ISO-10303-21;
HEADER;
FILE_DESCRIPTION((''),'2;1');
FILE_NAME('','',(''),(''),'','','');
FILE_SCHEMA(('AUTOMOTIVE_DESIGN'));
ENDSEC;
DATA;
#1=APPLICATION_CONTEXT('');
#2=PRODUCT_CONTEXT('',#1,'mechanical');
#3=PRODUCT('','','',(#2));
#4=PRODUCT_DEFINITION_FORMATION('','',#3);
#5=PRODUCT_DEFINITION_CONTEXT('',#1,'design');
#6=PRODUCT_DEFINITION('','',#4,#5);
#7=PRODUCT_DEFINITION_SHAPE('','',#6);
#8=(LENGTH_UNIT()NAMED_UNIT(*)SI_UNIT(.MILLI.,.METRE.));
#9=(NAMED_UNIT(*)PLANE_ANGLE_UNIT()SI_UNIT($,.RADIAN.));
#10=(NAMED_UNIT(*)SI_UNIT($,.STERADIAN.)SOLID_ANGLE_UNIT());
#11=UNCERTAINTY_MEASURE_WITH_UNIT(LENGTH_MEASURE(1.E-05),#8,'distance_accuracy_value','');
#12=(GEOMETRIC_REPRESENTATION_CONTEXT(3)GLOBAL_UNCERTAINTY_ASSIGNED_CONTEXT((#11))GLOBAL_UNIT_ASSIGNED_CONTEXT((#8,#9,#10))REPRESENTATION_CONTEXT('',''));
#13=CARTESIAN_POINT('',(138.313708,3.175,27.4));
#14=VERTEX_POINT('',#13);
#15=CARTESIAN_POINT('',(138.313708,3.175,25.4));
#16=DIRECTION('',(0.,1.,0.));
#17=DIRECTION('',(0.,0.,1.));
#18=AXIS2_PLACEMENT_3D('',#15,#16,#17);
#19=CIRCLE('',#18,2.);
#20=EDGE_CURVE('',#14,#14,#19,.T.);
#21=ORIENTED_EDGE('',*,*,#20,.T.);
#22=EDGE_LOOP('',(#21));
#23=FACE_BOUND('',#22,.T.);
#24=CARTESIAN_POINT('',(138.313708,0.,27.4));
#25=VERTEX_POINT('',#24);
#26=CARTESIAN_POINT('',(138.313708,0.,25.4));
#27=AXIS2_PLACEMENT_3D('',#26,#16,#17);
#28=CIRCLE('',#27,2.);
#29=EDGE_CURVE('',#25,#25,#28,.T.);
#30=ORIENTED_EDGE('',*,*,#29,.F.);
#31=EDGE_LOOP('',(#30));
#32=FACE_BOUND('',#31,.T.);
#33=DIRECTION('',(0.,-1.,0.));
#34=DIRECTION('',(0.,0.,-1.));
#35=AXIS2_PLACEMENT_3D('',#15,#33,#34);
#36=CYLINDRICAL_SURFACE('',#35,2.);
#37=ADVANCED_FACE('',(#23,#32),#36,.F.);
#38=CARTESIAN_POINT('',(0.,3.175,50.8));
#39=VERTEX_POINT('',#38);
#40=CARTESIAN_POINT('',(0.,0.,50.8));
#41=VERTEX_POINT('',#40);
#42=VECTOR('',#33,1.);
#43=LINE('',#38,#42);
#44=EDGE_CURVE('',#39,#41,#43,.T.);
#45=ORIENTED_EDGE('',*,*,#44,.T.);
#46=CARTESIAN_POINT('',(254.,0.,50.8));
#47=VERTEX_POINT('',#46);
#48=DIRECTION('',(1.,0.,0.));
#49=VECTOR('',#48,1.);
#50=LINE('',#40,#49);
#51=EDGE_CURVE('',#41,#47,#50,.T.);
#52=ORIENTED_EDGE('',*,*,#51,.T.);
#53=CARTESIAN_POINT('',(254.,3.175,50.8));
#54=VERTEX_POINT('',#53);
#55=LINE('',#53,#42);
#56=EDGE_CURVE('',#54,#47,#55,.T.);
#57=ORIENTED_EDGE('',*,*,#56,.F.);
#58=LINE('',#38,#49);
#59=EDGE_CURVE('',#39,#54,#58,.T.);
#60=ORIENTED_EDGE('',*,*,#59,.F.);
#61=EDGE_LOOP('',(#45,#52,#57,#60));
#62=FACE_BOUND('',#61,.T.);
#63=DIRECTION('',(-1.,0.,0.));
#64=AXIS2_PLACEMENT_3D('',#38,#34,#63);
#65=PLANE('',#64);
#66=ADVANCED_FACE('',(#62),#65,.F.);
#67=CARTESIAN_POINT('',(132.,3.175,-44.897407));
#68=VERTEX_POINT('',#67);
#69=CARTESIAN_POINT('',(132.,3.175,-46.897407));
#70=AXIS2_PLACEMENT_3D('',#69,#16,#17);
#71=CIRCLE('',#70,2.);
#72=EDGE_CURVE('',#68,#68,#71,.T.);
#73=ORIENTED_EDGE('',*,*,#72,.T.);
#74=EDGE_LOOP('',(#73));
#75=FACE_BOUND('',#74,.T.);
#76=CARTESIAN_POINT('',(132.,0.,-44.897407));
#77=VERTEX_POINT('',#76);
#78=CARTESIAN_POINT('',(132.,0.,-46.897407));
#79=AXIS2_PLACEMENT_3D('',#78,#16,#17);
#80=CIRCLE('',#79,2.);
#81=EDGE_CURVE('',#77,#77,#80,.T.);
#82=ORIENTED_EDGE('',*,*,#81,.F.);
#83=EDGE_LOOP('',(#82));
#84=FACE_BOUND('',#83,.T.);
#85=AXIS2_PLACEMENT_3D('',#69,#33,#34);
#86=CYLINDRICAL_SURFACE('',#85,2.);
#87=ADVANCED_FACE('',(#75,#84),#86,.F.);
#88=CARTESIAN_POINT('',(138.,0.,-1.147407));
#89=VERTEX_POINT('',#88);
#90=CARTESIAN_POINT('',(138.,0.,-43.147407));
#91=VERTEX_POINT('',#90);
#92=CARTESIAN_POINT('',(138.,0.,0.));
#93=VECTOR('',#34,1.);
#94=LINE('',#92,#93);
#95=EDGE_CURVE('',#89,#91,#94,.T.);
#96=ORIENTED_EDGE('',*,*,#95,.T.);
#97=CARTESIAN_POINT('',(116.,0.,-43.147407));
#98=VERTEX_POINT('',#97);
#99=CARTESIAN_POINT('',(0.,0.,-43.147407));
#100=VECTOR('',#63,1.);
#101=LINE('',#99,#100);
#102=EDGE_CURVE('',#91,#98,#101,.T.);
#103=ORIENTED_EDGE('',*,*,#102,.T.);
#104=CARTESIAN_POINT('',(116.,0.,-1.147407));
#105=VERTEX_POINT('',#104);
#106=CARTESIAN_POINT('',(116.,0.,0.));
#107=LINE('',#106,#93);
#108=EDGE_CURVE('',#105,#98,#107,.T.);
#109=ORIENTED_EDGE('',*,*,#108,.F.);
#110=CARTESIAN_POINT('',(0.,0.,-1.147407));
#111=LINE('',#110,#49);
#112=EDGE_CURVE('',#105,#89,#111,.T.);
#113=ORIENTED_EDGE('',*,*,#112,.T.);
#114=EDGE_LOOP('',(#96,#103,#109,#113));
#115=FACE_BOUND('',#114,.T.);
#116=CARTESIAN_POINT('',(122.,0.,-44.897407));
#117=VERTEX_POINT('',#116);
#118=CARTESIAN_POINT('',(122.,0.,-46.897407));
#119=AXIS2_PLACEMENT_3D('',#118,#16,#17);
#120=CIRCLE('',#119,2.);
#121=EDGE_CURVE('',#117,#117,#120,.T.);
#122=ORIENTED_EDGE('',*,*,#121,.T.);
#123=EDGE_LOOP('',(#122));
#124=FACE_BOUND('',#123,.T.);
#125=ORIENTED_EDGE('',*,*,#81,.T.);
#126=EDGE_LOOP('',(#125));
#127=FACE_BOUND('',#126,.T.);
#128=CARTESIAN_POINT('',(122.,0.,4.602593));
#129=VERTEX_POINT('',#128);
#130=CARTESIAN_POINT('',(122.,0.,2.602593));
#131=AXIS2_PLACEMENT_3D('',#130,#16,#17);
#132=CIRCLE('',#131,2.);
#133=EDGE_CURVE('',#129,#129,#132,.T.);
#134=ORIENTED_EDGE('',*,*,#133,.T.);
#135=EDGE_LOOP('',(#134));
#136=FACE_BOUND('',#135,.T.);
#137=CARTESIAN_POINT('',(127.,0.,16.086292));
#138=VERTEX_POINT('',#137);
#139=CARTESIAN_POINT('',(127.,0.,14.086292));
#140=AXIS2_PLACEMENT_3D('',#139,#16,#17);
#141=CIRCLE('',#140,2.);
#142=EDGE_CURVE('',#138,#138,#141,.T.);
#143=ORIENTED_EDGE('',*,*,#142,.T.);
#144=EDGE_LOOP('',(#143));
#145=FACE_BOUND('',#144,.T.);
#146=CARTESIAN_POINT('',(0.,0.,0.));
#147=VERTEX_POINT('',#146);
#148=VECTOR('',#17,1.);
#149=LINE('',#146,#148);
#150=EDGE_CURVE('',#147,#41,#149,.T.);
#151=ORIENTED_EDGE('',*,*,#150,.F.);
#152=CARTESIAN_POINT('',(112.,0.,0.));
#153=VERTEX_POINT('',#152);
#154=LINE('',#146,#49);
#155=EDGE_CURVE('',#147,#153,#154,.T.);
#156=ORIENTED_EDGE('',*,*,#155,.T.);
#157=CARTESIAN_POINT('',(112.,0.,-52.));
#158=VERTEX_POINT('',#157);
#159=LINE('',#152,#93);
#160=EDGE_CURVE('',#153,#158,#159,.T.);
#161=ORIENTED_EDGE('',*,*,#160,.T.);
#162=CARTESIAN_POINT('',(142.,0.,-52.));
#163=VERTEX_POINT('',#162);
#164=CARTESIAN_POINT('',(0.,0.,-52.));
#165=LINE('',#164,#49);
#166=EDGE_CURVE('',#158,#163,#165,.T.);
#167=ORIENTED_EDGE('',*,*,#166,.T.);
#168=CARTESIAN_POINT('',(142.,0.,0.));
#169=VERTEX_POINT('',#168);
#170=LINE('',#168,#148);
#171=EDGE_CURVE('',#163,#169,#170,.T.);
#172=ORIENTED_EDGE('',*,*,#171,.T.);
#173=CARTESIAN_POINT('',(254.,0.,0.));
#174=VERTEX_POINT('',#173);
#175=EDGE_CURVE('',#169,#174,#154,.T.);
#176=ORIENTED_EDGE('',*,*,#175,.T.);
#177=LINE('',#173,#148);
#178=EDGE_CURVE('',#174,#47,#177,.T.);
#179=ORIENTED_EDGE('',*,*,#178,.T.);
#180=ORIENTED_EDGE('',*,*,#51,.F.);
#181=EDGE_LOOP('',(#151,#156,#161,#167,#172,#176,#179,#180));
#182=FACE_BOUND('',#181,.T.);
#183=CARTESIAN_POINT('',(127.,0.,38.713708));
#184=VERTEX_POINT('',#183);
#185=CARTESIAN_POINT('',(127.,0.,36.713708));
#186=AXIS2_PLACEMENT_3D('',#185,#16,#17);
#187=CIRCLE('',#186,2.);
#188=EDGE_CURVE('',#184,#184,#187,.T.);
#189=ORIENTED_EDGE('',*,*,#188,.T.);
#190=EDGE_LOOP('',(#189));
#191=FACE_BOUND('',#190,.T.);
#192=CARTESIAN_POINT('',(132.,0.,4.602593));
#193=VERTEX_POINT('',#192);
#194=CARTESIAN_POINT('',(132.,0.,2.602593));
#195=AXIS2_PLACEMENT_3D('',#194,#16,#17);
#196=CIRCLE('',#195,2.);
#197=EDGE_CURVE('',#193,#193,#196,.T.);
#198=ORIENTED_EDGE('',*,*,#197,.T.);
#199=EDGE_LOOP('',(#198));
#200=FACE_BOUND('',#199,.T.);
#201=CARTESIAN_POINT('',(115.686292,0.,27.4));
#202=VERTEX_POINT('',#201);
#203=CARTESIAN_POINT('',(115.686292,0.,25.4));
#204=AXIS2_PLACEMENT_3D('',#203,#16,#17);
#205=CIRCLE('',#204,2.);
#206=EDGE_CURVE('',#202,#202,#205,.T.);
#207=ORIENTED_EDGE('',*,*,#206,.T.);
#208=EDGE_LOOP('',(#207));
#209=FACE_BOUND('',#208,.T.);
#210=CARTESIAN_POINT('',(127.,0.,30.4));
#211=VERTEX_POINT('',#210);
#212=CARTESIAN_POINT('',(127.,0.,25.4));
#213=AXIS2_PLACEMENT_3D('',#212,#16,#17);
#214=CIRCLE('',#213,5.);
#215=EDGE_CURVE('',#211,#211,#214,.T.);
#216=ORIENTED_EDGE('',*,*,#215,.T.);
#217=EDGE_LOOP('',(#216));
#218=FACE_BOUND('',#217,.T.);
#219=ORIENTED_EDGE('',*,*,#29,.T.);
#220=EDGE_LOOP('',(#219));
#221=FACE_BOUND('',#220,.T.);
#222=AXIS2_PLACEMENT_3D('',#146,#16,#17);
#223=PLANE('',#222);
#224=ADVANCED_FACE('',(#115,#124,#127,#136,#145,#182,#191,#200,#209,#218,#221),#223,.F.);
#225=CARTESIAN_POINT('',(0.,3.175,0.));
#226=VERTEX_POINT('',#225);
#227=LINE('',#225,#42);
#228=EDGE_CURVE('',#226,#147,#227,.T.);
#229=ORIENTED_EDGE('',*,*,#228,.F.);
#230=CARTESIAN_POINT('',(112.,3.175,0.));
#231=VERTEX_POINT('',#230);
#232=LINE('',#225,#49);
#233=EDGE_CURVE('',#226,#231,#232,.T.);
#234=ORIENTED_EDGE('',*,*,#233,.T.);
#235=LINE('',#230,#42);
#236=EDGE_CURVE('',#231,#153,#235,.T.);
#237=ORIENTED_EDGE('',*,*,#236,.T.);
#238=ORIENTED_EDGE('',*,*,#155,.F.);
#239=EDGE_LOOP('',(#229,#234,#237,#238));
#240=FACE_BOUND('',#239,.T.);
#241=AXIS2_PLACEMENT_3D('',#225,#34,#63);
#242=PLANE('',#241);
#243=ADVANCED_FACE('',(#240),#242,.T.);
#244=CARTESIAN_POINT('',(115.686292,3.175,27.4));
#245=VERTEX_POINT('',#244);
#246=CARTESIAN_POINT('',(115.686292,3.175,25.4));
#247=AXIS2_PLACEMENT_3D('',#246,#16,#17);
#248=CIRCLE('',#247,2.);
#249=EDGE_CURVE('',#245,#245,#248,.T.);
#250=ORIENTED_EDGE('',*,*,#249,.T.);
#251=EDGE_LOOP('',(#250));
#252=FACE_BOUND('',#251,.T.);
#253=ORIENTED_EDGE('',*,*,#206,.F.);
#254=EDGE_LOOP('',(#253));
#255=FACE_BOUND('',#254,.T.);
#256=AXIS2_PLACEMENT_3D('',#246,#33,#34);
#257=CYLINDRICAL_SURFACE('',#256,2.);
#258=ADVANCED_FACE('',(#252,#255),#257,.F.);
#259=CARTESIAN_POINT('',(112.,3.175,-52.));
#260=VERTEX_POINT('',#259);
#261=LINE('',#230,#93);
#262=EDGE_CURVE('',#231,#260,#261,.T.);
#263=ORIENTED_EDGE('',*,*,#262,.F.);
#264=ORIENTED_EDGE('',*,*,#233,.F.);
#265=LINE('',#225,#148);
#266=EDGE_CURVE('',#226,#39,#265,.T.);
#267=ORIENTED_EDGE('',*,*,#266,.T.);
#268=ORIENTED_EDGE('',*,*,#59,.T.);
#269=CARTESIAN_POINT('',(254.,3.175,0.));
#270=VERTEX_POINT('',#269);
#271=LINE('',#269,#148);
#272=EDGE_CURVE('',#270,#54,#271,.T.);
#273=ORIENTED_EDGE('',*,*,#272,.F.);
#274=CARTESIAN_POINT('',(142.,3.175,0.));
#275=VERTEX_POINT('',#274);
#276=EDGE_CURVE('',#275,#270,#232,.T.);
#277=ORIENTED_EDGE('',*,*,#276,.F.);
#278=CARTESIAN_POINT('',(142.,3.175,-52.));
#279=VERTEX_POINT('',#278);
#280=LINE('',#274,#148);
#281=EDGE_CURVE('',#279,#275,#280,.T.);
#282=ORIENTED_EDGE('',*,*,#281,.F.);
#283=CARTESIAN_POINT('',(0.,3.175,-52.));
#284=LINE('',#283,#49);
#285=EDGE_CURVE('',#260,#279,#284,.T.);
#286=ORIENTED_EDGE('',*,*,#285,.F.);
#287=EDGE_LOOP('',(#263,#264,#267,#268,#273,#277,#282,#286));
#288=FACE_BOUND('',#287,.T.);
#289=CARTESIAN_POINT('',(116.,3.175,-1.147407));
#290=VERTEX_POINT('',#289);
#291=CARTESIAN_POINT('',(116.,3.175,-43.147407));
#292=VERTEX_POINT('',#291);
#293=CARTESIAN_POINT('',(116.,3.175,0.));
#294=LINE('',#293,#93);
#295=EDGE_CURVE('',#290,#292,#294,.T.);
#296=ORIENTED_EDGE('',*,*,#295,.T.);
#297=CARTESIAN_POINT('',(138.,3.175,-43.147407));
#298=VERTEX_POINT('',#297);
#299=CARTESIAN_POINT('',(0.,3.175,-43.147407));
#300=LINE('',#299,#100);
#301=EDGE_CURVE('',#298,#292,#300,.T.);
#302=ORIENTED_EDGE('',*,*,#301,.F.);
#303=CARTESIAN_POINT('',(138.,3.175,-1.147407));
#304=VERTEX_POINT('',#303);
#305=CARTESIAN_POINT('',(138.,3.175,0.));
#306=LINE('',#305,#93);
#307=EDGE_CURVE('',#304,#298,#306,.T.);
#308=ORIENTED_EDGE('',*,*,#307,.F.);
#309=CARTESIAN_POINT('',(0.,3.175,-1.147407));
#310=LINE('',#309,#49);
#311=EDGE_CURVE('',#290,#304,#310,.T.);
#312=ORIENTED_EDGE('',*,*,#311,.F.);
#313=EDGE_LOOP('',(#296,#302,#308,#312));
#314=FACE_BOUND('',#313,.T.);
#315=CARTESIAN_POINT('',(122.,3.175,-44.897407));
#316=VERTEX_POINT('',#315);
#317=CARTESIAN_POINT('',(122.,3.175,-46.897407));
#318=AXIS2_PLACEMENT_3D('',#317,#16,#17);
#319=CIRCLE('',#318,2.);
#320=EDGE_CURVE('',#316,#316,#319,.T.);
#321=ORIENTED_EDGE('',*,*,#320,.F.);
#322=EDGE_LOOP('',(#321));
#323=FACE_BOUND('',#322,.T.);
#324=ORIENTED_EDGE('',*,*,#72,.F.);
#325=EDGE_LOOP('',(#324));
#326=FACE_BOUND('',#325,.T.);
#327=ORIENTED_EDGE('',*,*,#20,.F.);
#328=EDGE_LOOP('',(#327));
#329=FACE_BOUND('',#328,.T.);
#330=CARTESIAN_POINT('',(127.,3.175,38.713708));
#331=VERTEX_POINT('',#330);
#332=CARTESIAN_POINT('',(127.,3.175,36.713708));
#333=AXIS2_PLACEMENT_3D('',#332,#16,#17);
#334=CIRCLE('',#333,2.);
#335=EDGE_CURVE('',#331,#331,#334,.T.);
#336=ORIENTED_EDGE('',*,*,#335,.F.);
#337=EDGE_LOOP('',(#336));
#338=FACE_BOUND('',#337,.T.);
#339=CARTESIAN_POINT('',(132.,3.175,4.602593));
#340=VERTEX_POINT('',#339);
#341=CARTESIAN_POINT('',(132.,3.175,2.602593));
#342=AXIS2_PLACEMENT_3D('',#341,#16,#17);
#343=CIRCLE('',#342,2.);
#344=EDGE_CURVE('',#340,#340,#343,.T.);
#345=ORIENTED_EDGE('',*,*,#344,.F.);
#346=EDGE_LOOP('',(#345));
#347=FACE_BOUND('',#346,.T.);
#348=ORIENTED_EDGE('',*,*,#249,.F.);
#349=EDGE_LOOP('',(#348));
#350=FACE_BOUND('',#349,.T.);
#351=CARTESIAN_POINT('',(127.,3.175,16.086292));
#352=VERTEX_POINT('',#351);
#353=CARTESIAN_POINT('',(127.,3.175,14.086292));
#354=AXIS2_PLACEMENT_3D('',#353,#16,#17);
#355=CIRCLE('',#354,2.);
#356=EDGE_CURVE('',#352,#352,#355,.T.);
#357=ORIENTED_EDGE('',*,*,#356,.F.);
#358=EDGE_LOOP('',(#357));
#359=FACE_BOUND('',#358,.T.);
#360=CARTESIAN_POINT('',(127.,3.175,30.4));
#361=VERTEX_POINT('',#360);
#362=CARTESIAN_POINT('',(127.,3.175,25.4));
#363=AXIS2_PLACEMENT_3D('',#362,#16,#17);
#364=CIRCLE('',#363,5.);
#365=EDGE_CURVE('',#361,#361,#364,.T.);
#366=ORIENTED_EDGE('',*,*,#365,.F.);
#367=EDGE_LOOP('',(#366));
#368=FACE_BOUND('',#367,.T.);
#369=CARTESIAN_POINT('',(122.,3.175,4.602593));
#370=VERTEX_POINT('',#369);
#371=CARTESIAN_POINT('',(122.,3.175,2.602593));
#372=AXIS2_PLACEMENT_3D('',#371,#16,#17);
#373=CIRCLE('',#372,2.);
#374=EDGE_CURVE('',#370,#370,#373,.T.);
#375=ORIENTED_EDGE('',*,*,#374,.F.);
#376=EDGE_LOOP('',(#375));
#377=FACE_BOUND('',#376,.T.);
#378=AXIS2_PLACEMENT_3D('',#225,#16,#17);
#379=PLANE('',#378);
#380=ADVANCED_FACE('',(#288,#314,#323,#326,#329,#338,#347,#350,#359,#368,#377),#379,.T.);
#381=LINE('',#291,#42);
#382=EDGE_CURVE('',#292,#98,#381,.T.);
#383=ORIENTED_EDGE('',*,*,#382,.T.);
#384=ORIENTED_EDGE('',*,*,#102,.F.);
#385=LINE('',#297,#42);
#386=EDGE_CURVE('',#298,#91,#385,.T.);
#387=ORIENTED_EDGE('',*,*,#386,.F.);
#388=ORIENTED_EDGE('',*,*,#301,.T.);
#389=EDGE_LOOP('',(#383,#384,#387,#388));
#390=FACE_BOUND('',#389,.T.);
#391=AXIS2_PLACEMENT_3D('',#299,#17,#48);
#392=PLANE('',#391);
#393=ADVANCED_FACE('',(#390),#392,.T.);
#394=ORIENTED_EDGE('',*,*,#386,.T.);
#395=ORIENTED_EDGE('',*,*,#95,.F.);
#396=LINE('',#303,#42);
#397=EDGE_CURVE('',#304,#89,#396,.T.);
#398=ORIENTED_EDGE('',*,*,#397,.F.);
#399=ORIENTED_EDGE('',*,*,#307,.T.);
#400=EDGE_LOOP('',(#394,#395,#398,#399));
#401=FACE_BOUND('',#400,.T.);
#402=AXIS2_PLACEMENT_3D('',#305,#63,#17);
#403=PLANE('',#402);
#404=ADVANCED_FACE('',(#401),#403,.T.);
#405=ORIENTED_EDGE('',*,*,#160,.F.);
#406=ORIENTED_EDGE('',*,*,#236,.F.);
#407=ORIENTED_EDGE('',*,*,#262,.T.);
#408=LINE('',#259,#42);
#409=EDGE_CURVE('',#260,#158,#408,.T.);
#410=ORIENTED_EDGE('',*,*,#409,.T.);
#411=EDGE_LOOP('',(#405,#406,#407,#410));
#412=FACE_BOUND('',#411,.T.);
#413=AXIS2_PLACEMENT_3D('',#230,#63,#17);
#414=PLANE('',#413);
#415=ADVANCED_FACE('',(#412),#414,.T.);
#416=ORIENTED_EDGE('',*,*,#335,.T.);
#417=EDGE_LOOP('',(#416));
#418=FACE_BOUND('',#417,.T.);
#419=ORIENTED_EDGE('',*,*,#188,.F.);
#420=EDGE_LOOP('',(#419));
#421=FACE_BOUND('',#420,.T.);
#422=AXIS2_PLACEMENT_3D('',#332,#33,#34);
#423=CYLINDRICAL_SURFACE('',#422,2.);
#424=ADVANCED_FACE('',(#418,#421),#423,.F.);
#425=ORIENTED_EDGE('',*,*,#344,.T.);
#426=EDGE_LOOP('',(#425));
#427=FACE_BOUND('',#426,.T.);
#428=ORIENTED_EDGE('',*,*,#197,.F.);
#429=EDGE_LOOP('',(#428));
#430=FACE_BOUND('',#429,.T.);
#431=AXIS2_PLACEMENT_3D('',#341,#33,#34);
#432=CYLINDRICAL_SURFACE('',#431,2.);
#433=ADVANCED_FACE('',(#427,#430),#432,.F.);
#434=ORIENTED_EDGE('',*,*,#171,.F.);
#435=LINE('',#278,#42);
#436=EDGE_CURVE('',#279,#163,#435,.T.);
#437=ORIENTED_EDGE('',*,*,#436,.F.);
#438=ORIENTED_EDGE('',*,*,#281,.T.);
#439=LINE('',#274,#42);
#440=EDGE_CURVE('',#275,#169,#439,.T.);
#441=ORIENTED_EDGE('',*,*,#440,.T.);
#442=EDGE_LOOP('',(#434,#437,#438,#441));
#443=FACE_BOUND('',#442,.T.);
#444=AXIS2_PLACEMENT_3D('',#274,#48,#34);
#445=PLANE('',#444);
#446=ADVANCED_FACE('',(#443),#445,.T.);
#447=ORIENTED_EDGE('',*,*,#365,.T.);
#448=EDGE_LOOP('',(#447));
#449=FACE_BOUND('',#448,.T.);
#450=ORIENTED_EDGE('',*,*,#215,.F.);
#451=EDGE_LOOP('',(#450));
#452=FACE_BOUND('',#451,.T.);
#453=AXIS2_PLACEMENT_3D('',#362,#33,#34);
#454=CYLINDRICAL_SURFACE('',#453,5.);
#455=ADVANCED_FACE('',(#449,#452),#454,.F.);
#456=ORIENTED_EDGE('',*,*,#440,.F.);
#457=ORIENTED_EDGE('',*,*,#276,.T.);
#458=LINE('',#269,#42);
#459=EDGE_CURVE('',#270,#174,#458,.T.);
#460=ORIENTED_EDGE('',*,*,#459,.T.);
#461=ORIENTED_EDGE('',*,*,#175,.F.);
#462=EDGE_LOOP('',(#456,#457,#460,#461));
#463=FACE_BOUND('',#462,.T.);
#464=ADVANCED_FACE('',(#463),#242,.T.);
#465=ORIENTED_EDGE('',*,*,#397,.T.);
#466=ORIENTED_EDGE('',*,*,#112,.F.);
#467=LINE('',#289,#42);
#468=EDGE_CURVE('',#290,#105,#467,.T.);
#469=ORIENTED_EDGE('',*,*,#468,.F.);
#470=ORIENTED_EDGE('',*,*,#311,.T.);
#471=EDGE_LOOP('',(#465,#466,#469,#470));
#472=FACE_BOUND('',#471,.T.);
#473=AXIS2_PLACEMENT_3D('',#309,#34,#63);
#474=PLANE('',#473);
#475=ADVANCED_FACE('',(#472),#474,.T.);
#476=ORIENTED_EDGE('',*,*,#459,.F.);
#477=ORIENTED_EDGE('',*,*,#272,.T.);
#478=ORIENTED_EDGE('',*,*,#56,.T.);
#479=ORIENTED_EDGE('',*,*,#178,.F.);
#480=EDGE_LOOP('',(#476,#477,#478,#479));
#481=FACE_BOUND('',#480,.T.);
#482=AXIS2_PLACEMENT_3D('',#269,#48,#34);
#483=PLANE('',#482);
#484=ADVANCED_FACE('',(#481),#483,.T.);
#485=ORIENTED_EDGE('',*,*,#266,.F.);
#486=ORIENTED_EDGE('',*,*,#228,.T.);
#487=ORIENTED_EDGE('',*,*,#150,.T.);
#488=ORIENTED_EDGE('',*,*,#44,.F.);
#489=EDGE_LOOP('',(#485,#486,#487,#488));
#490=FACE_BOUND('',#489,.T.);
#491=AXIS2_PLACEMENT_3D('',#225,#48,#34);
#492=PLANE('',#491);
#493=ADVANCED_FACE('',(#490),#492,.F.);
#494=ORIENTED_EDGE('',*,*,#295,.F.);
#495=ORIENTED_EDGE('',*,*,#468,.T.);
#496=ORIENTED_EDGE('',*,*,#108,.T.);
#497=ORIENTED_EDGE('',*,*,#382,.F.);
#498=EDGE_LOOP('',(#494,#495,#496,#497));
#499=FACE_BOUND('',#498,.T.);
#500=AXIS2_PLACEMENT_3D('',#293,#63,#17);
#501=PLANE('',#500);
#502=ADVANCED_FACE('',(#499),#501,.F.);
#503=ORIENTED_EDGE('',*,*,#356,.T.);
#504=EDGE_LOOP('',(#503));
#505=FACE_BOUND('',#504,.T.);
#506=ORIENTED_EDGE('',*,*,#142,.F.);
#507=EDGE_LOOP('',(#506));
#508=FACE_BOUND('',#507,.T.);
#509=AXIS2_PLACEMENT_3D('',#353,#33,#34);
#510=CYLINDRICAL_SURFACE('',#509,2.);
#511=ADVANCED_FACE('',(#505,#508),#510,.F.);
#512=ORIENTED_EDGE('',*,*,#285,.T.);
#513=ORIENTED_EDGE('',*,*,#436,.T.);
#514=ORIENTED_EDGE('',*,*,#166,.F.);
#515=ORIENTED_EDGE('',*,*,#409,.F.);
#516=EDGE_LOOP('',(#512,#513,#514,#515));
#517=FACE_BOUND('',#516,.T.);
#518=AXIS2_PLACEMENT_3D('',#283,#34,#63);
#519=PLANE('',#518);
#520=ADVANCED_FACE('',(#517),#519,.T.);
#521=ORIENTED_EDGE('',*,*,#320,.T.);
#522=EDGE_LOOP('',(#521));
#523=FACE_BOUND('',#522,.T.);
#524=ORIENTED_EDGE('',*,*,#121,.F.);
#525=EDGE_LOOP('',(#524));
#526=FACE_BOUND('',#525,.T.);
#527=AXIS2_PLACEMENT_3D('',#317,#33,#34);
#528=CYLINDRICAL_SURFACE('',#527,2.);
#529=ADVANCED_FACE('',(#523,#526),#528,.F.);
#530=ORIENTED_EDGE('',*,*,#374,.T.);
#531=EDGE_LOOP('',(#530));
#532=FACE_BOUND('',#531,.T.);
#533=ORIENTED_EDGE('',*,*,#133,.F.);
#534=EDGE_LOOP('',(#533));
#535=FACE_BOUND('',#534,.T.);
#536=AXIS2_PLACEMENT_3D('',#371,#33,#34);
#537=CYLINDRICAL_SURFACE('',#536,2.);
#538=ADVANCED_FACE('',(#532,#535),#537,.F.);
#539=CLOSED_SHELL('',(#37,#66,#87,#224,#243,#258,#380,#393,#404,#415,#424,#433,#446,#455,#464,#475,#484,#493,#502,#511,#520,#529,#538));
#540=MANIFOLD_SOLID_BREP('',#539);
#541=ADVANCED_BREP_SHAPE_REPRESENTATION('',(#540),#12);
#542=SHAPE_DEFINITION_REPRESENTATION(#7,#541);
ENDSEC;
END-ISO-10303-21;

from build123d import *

# Parameters (mm, degrees)
SKETCH1_R           = 2
SKETCH1_R_2         = 5
BOSS_EXTRUDE1_DEPTH = 3.175


with BuildPart() as part:
    # Sketch1 → Boss-Extrude1 (new body)
    with BuildSketch(Plane(origin=(0, 0, 0), x_dir=(1, 0, 0), z_dir=(0, 1, 0))):
        Polygon((254, 0), (142, 0), (142, 52), (112, 52), (112, 0), (0, 0), (0, -50.8), (254, -50.8), align=None)
        with Locations(Location((127, -36.713708499, 0), (0, 0, 270))):
            Circle(SKETCH1_R, mode=Mode.SUBTRACT)
        with Locations(Location((115.686291501, -25.4, 0), (0, 0, 270))):
            Circle(SKETCH1_R, mode=Mode.SUBTRACT)
        with Locations(Location((127, -25.4, 0), (0, 0, 270))):
            Circle(SKETCH1_R_2, mode=Mode.SUBTRACT)
        with Locations(Location((138.313708499, -25.4, 0), (0, 0, 270))):
            Circle(SKETCH1_R, mode=Mode.SUBTRACT)
        with Locations(Location((122, -2.6025933, 0), (0, 0, 270))):
            Circle(SKETCH1_R, mode=Mode.SUBTRACT)
        with Locations(Location((127, -14.086291501, 0), (0, 0, 270))):
            Circle(SKETCH1_R, mode=Mode.SUBTRACT)
        with Locations(Location((132, -2.6025933, 0), (0, 0, 270))):
            Circle(SKETCH1_R, mode=Mode.SUBTRACT)
        Polygon((138, 1.1474067), (127, 1.1474067), (116, 1.1474067), (116, 43.1474067), (127, 43.1474067), (138, 43.1474067), align=None, mode=Mode.SUBTRACT)
        with Locations(Location((122, 46.8974067, 0), (0, 0, 270))):
            Circle(SKETCH1_R, mode=Mode.SUBTRACT)
        with Locations(Location((132, 46.8974067, 0), (0, 0, 270))):
            Circle(SKETCH1_R, mode=Mode.SUBTRACT)
    extrude(amount=BOSS_EXTRUDE1_DEPTH)


solid = part.part
